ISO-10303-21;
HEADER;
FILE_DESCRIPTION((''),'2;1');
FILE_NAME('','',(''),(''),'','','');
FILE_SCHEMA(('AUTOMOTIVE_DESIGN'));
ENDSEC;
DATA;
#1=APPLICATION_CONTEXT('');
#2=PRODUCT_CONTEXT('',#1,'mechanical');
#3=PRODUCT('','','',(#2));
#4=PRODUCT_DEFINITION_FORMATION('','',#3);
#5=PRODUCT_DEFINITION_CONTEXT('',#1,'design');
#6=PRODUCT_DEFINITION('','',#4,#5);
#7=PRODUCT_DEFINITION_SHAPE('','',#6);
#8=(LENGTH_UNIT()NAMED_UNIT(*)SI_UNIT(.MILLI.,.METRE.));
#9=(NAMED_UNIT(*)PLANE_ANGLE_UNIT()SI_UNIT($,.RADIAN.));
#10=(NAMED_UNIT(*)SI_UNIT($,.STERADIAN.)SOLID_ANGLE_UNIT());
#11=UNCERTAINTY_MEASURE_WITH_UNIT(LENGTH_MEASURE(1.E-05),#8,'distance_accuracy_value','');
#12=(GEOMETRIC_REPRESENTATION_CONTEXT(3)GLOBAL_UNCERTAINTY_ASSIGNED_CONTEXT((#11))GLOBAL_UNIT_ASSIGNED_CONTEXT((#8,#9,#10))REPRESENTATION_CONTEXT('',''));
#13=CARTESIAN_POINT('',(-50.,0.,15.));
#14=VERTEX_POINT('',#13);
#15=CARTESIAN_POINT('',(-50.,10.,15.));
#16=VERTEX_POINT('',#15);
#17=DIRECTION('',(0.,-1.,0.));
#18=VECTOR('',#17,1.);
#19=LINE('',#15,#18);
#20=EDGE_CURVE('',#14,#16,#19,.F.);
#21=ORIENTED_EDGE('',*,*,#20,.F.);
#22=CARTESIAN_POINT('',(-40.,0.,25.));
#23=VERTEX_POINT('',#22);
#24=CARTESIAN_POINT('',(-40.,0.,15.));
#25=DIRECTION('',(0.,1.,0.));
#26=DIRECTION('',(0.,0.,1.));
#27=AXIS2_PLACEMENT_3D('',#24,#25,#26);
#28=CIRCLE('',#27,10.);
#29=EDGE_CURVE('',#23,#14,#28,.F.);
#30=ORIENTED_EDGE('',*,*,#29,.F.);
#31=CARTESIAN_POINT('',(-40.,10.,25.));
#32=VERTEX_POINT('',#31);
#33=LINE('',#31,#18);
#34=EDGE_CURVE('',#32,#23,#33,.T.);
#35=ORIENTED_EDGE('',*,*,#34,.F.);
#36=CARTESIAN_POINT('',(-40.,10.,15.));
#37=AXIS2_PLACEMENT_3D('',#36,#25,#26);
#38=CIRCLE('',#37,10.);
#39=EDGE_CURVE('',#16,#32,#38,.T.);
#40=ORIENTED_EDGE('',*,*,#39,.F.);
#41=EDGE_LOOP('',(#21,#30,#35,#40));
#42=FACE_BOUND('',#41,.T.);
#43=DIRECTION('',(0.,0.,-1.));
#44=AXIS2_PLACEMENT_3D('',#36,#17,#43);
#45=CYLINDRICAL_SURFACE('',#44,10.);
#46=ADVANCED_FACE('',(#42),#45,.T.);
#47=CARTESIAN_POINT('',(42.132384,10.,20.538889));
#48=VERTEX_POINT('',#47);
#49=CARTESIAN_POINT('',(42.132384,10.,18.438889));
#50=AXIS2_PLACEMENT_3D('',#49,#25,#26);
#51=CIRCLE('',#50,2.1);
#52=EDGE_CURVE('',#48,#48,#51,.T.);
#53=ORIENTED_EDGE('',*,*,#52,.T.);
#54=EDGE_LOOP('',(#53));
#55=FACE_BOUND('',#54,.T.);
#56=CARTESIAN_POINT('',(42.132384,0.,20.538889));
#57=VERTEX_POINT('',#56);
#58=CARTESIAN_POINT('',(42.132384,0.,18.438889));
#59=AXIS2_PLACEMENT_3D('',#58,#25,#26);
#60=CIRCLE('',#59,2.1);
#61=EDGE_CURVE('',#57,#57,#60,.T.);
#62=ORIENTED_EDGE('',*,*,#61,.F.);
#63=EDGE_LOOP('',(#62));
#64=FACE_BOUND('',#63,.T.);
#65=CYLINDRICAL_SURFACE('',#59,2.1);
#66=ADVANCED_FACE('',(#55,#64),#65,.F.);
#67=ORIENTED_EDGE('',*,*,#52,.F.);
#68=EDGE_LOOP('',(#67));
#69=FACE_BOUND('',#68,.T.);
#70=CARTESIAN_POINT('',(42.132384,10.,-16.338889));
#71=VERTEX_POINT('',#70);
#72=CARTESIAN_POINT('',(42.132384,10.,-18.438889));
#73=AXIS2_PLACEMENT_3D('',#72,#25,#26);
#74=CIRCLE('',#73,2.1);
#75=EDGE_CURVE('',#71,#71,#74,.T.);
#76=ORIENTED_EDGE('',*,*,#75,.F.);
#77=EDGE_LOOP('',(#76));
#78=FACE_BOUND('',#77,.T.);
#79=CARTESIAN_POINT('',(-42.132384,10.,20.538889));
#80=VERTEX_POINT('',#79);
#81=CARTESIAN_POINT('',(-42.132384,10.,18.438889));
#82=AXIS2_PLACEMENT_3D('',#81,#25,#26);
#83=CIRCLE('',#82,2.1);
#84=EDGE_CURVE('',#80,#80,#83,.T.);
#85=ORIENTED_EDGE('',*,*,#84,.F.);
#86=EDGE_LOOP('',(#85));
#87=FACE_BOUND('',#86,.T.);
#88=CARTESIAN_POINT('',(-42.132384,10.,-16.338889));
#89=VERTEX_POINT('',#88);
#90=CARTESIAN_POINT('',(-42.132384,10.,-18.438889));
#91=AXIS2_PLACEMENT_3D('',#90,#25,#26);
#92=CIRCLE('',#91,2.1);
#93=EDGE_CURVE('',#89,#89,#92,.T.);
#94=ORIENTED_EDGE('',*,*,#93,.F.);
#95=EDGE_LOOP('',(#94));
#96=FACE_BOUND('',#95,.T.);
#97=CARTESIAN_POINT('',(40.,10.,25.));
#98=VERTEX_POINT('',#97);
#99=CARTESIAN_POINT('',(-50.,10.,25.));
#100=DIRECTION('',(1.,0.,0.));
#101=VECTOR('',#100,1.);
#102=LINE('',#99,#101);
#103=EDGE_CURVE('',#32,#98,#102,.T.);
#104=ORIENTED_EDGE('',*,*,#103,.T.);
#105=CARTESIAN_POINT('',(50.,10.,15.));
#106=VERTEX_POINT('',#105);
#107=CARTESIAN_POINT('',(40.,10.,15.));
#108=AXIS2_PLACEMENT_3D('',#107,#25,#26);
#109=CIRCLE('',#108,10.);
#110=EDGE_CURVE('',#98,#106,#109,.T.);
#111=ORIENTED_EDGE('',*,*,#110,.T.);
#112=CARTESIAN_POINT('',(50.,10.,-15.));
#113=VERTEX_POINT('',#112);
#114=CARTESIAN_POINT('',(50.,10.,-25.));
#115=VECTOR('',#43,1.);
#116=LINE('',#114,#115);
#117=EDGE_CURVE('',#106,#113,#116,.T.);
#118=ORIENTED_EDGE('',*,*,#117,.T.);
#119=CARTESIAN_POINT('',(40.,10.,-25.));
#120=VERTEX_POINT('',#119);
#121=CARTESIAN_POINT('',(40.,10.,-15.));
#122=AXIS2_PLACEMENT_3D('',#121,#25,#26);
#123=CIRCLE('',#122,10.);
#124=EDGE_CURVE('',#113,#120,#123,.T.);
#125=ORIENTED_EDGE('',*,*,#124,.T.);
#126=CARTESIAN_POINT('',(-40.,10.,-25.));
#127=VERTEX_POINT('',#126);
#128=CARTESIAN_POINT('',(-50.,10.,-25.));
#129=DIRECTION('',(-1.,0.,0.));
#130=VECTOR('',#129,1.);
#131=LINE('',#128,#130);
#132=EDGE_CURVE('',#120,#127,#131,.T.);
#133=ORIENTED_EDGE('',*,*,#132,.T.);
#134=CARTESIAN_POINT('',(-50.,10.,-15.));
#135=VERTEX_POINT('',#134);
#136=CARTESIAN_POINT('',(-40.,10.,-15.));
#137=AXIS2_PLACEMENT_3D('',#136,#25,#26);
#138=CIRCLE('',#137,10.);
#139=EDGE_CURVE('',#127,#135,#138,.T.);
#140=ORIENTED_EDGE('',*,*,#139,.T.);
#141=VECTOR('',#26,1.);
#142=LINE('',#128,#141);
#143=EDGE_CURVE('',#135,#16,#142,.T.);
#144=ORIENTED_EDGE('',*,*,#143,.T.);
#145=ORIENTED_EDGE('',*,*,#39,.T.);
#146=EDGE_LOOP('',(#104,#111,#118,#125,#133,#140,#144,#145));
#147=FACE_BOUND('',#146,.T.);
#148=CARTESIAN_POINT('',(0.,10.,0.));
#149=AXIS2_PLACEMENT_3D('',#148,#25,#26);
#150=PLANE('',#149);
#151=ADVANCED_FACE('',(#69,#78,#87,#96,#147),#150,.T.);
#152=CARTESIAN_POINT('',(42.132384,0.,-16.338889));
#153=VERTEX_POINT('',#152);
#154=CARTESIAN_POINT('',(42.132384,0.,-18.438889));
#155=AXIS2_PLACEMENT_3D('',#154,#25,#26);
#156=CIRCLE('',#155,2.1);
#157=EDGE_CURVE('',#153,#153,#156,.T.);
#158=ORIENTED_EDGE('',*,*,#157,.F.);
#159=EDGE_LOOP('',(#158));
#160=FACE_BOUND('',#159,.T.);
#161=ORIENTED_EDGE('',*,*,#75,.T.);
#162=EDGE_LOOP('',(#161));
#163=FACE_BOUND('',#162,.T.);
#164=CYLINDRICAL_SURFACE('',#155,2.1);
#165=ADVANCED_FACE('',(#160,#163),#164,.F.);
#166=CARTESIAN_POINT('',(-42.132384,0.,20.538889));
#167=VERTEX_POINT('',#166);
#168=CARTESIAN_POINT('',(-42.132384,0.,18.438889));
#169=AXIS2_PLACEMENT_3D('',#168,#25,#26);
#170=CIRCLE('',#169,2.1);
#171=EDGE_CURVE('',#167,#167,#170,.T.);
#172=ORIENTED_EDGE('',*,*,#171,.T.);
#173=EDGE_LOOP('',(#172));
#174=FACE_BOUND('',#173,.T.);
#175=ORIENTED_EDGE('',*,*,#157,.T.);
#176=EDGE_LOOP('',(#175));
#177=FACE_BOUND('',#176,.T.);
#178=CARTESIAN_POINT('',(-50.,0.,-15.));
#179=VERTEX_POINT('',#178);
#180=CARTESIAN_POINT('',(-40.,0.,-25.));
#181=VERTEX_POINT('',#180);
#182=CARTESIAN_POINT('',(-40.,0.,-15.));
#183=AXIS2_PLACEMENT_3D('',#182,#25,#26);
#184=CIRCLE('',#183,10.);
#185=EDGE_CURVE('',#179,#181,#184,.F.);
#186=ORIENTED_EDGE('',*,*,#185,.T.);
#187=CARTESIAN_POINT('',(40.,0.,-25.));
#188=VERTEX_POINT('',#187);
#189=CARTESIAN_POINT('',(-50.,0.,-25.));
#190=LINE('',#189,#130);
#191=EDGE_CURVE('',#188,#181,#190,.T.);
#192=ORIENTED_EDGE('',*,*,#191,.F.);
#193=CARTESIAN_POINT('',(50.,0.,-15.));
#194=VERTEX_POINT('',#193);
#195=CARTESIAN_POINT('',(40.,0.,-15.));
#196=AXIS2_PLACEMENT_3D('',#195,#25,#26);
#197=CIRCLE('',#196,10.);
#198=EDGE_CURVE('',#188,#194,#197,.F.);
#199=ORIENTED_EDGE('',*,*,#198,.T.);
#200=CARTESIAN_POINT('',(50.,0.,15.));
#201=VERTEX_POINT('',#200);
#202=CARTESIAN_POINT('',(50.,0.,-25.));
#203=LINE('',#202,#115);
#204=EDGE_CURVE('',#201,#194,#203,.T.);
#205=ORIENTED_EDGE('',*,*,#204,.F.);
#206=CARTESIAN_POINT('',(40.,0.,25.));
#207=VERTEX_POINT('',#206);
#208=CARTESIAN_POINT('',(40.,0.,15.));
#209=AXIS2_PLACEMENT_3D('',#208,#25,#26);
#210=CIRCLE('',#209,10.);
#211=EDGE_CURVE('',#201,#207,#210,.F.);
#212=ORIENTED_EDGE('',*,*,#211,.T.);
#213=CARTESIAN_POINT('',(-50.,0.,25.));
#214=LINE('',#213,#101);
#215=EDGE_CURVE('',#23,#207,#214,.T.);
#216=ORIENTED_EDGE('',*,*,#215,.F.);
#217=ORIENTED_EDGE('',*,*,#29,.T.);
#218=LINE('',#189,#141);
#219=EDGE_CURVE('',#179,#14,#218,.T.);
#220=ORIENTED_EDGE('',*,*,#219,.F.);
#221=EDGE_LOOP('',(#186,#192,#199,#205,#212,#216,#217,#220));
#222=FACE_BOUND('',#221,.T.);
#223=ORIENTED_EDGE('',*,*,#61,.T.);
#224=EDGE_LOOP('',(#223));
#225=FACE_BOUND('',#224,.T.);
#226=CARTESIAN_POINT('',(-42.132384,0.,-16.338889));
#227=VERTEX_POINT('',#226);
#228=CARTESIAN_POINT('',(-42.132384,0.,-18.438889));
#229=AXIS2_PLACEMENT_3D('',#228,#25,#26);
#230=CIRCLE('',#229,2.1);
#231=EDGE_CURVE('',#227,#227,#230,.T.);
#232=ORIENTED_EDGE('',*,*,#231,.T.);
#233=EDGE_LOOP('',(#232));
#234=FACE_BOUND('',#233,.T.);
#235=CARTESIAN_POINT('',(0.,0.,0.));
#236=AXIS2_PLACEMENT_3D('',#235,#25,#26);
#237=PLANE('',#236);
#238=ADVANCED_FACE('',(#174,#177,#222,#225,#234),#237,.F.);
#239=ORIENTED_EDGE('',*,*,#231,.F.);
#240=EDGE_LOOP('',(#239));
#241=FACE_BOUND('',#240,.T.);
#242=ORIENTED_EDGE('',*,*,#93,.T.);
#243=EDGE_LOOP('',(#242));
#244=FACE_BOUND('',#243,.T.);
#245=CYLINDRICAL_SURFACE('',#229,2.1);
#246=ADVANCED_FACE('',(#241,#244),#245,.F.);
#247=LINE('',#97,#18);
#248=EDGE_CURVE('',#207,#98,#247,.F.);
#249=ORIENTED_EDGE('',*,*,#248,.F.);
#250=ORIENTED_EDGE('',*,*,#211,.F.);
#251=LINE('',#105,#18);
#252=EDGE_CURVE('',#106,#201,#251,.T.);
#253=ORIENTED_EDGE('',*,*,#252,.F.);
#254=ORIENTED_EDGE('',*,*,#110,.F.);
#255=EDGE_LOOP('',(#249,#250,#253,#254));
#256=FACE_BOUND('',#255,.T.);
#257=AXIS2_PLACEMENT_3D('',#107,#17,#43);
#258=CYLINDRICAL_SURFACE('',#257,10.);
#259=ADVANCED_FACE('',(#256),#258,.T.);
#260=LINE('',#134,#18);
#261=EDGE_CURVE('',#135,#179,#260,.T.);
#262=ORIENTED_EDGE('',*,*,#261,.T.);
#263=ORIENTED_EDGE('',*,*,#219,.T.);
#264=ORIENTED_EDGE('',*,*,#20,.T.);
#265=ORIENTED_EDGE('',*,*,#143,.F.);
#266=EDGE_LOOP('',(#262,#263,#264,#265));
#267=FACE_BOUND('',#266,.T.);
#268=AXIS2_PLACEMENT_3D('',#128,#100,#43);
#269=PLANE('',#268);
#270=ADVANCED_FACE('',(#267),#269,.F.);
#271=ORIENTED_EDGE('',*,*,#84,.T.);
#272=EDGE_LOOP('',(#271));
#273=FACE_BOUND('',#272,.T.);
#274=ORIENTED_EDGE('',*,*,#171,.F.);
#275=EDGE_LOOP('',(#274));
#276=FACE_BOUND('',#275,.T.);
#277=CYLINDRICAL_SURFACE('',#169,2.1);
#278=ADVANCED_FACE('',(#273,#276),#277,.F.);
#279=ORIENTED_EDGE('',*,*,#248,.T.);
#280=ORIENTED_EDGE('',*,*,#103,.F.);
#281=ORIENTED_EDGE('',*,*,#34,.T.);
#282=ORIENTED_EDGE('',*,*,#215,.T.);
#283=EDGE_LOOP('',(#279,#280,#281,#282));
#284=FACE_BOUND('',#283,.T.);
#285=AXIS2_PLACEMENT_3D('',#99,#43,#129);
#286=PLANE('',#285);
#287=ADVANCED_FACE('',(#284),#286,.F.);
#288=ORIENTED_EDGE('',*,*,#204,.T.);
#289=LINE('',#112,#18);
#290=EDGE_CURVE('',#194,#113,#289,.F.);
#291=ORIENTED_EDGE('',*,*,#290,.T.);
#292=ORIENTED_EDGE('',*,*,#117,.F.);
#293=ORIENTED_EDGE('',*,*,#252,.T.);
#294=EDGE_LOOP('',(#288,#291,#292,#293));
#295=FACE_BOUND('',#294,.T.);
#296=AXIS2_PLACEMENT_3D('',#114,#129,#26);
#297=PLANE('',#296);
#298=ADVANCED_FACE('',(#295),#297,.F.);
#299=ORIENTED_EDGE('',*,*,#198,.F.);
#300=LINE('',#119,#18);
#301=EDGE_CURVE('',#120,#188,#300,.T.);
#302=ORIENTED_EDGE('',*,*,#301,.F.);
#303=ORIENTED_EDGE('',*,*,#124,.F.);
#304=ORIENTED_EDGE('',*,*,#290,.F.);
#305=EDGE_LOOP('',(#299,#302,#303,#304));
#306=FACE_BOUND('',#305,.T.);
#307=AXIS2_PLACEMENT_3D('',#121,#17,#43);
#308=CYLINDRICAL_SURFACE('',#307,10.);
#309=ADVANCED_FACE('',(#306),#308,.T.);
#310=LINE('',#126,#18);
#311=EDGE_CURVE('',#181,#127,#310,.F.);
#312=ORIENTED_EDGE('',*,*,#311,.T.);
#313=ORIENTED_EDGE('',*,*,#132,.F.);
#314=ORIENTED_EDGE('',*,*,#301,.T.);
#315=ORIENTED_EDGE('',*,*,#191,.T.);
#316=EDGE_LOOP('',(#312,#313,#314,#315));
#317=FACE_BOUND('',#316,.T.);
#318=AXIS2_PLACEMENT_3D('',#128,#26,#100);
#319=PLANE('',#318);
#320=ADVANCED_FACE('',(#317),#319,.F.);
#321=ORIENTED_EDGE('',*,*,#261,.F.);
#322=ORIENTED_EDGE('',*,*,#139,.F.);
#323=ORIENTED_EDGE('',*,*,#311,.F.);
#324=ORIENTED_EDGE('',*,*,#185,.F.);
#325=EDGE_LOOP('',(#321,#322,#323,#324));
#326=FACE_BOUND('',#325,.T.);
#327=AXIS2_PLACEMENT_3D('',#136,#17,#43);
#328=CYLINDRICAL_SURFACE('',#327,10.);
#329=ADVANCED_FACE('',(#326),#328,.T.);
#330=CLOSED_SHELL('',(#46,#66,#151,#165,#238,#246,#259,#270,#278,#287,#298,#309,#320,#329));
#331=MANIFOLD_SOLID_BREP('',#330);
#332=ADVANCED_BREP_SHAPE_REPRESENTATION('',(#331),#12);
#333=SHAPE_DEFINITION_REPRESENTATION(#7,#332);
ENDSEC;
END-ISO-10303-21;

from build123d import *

# Parameters (mm, degrees)
SKETCH1_W           = 100
SKETCH1_H           = 50
BOSS_EXTRUDE1_DEPTH = 10
FILLET1_R           = 10
SKETCH2_R           = 2.1
CUT_EXTRUDE1_DEPTH  = 10


with BuildPart() as part:
    # Sketch1 → Boss-Extrude1 (new body)
    with BuildSketch(Plane(origin=(0, 0, 0), x_dir=(1, 0, 0), z_dir=(0, 1, 0))):
        Rectangle(SKETCH1_W, SKETCH1_H)
    extrude(amount=BOSS_EXTRUDE1_DEPTH)

    # Fillet1
    fillet1_edges = [part.edges().sort_by_distance(p)[0] for p in [
        (-50, 5, -25),
        (50, 5, -25),
        (50, 5, 25),
        (-50, 5, 25),
    ]]
    fillet(fillet1_edges, radius=FILLET1_R)

    # Sketch2 → Cut-Extrude1 (cut)
    with BuildSketch(Plane(origin=(0, 10, 0), x_dir=(1, 0, 0), z_dir=(0, 1, 0))):
        with Locations(Location((-42.132384366, 18.438889303, 0), (0, 0, 270))):
            Circle(SKETCH2_R)
        with Locations(Location((42.132384366, 18.438889303, 0), (0, 0, 270))):
            Circle(SKETCH2_R)
        with Locations(Location((42.132384366, -18.438889303, 0), (0, 0, 270))):
            Circle(SKETCH2_R)
        with Locations(Location((-42.132384366, -18.438889303, 0), (0, 0, 270))):
            Circle(SKETCH2_R)
    extrude(amount=-CUT_EXTRUDE1_DEPTH, mode=Mode.SUBTRACT)


solid = part.part
